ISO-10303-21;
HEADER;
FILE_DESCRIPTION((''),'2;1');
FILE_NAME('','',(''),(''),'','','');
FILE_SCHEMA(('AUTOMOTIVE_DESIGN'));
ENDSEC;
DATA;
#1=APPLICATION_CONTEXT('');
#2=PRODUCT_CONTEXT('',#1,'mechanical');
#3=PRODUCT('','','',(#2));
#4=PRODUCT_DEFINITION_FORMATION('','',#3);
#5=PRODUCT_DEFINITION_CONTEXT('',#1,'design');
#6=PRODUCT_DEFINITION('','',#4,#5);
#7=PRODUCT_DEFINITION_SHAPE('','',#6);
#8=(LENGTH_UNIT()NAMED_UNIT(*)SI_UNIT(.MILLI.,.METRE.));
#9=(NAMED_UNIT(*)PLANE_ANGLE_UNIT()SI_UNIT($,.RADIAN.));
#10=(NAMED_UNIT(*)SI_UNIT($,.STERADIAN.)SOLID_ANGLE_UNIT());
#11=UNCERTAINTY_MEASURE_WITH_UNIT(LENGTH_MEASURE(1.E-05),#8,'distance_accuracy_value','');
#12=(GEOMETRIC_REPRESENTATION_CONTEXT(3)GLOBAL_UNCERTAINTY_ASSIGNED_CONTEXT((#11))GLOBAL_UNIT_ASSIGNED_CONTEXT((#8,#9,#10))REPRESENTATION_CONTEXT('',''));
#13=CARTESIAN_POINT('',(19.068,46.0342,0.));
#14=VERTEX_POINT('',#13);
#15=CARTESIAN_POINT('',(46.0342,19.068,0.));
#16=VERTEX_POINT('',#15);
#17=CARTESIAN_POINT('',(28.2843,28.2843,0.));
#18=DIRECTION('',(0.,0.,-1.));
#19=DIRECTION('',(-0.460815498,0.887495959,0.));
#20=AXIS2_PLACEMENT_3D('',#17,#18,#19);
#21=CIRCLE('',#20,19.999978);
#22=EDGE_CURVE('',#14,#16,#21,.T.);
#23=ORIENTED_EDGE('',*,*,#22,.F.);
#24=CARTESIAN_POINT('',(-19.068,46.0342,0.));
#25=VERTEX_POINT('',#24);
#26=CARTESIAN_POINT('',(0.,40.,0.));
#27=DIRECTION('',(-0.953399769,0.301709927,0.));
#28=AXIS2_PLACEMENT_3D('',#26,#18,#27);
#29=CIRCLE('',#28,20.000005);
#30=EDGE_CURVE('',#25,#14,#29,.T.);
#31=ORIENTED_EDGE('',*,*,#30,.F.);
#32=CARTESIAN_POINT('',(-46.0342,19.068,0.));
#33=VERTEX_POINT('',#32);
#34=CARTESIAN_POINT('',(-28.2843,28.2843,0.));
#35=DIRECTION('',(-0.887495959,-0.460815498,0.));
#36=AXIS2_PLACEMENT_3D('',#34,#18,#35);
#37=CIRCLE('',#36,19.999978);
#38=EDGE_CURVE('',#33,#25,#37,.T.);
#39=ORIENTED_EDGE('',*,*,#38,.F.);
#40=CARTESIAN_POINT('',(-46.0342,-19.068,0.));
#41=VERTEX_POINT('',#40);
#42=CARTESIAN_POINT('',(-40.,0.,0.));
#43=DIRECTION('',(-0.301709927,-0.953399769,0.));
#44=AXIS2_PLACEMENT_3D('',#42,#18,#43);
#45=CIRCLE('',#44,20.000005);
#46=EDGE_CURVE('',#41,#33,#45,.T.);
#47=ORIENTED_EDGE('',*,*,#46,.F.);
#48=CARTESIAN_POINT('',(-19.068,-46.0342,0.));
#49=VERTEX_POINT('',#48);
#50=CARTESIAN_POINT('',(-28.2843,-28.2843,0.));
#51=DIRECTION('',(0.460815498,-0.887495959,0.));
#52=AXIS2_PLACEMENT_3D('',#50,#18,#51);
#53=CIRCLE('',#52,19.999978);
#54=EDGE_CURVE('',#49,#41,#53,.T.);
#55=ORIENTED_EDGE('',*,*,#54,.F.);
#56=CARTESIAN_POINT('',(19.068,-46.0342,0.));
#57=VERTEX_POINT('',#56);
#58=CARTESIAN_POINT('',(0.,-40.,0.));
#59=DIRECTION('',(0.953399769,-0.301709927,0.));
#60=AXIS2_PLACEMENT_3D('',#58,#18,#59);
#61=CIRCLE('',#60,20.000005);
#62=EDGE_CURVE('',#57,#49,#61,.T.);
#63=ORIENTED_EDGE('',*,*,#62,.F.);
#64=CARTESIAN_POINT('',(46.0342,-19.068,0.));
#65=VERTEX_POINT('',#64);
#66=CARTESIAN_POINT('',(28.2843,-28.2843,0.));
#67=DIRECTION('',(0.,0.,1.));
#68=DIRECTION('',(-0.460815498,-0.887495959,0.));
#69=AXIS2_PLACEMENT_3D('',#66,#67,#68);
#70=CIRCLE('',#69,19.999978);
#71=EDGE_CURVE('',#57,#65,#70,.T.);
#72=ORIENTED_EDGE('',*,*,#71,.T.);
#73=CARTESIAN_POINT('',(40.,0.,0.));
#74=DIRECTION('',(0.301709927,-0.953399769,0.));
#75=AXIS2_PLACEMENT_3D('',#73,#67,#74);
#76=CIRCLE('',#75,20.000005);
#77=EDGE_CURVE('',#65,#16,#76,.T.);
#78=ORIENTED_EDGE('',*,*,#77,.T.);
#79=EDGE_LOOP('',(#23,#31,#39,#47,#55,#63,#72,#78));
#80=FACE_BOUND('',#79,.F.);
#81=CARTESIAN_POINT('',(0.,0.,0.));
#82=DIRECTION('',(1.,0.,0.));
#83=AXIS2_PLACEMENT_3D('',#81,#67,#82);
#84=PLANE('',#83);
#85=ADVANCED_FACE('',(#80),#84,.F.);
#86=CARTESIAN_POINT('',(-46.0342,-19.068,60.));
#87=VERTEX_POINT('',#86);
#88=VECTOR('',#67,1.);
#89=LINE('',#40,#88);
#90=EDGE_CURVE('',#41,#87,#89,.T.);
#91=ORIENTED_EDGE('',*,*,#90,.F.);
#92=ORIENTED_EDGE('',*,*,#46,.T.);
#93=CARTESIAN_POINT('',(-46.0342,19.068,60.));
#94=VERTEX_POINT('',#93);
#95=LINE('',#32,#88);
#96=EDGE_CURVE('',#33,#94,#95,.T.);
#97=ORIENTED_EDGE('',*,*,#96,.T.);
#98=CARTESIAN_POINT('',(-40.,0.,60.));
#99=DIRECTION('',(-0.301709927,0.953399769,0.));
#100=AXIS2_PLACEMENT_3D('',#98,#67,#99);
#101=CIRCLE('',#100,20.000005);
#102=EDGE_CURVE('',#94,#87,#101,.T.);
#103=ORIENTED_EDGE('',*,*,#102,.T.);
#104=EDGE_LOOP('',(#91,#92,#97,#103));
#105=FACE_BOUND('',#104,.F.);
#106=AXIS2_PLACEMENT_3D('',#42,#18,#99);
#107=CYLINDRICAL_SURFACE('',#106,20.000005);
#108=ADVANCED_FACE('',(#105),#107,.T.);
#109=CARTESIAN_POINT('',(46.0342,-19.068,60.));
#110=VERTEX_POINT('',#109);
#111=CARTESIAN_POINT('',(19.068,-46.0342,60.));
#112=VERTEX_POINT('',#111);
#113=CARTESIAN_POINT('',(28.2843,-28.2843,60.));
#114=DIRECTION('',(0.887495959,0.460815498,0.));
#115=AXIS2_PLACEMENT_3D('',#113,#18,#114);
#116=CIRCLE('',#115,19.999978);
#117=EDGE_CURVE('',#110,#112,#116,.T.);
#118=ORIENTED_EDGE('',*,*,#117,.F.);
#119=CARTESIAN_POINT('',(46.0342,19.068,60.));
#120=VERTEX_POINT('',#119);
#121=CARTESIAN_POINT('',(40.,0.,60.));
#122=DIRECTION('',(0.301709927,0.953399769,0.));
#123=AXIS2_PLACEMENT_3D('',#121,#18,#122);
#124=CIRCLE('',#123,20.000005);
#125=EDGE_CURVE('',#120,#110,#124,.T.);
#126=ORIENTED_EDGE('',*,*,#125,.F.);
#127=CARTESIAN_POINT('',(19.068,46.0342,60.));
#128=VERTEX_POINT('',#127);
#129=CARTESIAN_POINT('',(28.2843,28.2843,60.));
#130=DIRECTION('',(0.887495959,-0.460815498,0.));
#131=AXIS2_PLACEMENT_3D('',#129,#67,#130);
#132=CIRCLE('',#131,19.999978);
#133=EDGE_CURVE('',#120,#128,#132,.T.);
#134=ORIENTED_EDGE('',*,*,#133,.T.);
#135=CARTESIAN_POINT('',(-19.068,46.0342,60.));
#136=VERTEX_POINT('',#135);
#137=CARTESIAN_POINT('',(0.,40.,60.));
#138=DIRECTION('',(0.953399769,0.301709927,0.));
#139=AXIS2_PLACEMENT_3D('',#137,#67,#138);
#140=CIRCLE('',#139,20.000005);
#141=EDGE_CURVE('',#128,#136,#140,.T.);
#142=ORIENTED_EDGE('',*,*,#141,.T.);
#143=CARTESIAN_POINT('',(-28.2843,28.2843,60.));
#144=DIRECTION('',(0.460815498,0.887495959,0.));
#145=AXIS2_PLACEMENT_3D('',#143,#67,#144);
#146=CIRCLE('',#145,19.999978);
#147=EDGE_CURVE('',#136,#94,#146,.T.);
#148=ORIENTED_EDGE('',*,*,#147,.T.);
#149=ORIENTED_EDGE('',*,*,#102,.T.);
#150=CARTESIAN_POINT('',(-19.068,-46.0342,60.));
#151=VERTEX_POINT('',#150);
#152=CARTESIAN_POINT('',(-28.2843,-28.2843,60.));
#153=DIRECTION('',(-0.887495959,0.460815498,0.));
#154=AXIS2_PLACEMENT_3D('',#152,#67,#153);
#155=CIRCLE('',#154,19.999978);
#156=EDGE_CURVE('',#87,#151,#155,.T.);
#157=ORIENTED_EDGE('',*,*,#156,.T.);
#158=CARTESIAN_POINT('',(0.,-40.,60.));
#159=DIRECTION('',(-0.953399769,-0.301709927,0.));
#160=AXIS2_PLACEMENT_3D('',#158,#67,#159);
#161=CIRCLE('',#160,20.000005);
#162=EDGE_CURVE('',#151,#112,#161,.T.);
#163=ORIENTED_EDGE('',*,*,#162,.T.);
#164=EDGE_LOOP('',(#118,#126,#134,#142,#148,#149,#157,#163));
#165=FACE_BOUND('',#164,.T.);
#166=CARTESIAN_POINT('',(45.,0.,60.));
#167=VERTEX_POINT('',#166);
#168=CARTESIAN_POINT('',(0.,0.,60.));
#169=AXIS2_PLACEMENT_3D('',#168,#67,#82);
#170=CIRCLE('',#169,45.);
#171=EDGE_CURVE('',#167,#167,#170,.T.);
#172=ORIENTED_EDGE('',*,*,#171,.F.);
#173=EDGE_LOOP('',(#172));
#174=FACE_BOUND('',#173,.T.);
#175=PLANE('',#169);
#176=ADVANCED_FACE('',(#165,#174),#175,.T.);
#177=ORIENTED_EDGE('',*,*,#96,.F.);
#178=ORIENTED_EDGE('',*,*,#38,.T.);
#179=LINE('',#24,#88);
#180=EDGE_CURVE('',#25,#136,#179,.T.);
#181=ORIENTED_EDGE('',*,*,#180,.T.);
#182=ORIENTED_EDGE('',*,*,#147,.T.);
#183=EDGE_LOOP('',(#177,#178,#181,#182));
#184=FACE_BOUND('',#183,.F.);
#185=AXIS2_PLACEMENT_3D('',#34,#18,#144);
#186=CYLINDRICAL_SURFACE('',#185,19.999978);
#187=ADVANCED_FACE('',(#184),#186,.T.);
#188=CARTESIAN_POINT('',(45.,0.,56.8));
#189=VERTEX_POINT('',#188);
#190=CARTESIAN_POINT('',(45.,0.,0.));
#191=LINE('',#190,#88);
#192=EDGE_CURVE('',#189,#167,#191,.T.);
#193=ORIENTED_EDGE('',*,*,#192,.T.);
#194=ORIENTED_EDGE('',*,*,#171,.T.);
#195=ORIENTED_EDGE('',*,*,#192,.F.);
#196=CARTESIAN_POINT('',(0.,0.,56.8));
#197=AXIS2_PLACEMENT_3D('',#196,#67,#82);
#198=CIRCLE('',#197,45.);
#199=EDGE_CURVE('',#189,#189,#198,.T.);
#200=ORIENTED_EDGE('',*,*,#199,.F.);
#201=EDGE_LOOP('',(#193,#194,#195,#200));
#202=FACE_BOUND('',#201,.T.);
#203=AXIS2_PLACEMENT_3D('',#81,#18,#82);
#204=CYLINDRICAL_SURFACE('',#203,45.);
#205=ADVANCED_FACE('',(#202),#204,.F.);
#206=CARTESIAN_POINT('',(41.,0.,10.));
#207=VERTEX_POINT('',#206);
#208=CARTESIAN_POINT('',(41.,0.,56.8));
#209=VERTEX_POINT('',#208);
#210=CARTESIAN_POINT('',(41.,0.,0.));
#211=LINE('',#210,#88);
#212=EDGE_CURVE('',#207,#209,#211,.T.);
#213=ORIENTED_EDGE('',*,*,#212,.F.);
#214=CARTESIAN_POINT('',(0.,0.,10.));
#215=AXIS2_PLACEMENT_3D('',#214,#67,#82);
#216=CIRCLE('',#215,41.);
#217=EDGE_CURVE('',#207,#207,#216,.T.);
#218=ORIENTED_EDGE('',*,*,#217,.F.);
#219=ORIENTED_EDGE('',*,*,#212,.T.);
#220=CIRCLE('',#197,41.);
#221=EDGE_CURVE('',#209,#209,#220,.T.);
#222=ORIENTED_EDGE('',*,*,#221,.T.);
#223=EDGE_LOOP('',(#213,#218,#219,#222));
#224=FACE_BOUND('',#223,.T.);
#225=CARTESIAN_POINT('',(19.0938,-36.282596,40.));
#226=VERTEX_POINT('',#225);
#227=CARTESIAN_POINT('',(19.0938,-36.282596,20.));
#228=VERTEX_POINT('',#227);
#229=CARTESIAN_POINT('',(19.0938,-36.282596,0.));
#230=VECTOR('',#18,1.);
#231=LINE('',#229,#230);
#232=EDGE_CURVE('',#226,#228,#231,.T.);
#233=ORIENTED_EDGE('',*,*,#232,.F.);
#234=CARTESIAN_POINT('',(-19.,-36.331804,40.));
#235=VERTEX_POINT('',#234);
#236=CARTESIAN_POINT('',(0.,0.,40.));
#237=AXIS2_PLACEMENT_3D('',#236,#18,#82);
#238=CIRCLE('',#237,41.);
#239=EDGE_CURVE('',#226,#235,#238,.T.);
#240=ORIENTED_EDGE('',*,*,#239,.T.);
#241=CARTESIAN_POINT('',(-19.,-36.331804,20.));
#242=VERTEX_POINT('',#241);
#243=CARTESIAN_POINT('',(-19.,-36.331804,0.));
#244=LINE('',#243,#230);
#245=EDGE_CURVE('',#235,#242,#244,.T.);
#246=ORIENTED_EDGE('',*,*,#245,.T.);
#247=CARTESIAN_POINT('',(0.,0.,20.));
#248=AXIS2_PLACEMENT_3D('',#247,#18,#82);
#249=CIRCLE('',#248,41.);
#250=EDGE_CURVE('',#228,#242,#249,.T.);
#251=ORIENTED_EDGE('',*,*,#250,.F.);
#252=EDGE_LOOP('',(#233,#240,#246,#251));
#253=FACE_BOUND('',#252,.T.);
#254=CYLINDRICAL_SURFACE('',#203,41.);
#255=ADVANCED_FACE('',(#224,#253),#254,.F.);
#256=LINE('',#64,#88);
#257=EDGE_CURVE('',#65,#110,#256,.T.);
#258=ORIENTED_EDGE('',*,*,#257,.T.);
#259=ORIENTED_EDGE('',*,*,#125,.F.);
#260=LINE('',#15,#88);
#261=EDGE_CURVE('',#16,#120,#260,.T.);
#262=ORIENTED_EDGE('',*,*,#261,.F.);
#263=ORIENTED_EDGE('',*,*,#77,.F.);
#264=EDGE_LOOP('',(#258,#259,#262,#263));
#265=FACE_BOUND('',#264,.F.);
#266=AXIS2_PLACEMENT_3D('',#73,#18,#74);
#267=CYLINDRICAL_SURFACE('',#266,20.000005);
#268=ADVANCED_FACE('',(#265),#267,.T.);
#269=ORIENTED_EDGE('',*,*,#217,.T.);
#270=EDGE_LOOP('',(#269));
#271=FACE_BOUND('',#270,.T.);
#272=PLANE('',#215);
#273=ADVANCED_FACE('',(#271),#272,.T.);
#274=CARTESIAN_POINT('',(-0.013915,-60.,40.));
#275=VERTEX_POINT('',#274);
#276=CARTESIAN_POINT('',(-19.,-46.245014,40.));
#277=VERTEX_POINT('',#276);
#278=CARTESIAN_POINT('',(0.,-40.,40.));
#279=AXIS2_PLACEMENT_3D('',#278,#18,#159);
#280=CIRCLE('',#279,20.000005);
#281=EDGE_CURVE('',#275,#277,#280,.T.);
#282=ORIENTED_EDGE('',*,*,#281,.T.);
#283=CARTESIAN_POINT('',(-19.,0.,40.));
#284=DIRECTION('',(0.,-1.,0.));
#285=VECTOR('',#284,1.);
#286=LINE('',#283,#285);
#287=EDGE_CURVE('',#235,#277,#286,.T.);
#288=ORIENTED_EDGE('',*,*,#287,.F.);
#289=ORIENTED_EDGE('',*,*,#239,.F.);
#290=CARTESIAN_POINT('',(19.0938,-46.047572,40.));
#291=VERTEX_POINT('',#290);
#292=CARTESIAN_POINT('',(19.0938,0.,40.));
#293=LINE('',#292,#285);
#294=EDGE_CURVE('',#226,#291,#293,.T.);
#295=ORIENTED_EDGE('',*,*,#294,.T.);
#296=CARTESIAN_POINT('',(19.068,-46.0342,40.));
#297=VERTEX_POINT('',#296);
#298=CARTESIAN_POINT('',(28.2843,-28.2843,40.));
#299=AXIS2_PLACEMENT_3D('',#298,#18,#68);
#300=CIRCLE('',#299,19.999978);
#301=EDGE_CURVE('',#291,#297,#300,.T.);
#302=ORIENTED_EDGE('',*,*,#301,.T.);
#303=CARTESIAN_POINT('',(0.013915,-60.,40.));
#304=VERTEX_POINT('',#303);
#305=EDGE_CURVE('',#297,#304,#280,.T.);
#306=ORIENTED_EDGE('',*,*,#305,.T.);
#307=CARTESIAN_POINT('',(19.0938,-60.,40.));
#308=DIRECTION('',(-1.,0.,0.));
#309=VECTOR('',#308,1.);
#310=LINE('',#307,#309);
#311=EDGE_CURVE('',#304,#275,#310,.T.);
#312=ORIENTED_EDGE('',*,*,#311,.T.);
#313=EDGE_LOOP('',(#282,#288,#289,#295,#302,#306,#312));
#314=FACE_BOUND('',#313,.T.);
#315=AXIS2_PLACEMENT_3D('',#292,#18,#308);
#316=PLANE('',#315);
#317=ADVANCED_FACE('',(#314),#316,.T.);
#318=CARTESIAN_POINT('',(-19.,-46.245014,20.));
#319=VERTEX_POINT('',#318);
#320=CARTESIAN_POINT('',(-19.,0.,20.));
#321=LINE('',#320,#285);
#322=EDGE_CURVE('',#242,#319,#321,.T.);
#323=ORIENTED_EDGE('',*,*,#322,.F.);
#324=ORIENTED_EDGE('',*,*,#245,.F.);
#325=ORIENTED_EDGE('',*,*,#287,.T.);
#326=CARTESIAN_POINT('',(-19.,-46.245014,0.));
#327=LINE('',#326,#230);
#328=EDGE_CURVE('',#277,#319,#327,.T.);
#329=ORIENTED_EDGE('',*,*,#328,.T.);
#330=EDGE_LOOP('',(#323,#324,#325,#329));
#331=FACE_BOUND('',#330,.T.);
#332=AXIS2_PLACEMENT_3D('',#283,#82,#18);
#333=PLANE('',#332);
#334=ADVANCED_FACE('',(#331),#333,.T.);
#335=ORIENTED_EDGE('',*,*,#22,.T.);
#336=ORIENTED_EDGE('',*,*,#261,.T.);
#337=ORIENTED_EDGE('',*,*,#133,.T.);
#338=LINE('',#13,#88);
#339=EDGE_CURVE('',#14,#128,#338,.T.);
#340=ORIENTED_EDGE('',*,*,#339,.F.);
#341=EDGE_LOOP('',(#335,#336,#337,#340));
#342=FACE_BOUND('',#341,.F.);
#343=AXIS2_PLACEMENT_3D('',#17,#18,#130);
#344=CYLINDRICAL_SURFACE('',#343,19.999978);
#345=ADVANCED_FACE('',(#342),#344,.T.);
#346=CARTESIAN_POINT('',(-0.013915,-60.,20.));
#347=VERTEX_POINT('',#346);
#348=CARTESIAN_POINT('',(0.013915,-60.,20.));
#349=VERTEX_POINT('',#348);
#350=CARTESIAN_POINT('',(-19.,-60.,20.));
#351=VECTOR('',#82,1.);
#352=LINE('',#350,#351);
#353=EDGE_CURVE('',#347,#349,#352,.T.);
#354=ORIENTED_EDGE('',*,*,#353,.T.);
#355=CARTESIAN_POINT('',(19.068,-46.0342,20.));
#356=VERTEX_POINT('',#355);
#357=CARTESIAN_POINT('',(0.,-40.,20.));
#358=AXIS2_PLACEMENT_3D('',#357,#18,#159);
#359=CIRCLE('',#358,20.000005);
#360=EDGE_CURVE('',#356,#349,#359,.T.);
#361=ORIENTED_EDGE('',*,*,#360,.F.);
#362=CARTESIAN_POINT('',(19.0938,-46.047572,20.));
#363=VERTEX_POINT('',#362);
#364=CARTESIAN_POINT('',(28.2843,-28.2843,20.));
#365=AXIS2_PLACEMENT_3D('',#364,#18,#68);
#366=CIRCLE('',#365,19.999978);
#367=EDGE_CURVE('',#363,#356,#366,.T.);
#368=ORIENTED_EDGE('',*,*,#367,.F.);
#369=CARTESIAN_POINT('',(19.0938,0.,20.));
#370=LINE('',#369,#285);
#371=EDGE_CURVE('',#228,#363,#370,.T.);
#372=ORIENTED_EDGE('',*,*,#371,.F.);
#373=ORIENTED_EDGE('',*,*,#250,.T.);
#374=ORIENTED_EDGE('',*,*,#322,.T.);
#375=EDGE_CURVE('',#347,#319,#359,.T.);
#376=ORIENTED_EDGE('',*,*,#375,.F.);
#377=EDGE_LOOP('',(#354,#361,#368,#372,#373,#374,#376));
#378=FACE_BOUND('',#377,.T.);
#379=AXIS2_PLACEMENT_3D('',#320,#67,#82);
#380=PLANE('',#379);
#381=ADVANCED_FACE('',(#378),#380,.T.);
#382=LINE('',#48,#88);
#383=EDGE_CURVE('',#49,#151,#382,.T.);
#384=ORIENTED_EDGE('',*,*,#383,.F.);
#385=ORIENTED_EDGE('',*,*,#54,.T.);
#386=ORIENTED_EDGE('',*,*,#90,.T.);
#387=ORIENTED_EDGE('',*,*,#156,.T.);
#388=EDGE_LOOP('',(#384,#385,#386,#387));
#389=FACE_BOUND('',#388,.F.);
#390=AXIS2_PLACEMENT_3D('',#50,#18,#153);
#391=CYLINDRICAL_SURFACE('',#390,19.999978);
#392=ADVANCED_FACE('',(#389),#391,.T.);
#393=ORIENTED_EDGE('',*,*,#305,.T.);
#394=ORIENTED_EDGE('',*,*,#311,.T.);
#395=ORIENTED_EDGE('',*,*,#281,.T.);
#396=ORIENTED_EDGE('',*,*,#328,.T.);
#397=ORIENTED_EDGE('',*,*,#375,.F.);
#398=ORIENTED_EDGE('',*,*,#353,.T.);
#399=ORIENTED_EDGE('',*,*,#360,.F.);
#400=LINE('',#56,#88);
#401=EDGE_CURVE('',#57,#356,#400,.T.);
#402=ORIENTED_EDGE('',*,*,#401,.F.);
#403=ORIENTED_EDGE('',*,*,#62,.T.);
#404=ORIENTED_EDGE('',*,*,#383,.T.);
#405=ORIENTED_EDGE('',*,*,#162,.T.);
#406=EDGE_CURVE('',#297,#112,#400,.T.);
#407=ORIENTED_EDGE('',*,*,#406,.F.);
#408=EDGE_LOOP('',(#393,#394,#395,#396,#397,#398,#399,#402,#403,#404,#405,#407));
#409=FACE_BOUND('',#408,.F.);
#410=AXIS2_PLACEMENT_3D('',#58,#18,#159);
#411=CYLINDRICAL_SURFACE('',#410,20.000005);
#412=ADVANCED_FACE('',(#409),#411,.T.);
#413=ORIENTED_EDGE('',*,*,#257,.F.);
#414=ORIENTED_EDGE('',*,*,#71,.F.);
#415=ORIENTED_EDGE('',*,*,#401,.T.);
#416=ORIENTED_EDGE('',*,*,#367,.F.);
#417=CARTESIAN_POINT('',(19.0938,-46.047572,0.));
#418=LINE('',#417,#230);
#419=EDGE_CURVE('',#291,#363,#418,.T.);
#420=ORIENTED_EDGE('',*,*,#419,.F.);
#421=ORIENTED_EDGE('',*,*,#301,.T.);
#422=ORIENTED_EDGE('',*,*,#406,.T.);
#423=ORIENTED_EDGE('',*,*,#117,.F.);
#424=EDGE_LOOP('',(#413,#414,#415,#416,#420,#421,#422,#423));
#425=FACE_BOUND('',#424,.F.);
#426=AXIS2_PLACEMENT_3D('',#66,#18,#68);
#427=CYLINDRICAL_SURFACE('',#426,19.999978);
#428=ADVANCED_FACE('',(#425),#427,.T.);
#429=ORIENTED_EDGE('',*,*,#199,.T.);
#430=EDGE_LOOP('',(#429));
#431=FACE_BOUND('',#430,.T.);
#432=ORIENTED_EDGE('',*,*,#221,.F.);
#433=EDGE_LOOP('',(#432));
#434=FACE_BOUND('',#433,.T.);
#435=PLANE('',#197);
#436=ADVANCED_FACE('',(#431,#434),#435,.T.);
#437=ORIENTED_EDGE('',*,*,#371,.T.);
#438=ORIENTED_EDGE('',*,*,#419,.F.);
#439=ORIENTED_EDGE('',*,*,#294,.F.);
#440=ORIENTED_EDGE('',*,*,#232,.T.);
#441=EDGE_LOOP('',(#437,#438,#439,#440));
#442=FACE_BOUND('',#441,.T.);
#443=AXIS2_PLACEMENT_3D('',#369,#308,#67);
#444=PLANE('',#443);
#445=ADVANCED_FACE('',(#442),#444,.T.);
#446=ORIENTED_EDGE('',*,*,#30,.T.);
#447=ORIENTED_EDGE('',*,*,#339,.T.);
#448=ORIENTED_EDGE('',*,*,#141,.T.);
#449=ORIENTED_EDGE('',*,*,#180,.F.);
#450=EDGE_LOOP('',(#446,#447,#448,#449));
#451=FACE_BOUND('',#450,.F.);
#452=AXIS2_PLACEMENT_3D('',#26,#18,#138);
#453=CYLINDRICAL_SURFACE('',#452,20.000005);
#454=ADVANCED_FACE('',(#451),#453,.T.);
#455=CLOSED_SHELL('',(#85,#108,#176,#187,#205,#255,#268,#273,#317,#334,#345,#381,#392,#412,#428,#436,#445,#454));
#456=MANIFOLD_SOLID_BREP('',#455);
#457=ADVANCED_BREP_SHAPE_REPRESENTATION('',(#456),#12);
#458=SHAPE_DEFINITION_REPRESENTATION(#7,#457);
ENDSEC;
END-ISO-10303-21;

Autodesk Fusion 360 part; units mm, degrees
sketch "Boceto1" plane through (0, 0, 0) normal (0, 0, 1) x (1, 0, 0)
  circle A0 centre (0, 0) radius 41
  circle A1 centre (0, 0) radius 50
  circle A2 centre (0, 0) radius 45
  arc A3 (-19.068, 46.0342) -> (-46.0342, 19.068) centre (-28.2843, 28.2843) ccw
  arc A4 (-46.0342, -19.068) -> (-19.068, -46.0342) centre (-28.2843, -28.2843) ccw
  arc A5 (-46.0342, 19.068) -> (-46.0342, -19.068) centre (-40, 0) ccw
  arc A6 (-19.068, -46.0342) -> (19.068, -46.0342) centre (0, -40) ccw
  arc A7 (46.0342, -19.068) -> (46.0342, 19.068) centre (40, 0) ccw
  arc A8 (19.068, -46.0342) -> (46.0342, -19.068) centre (28.2843, -28.2843) ccw
  arc A9 (19.068, 46.0342) -> (-19.068, 46.0342) centre (0, 40) ccw
  arc A10 (46.0342, 19.068) -> (19.068, 46.0342) centre (28.2843, 28.2843) ccw
  dimension "d1" = 82
  dimension "d2" = 100
  dimension "d3" = 90
extrude "Extruir1" add sketch "Boceto1" along normal blind 10 contours A0
extrude "Extruir2" add sketch "Boceto1" along normal blind 56.8 contours A2
extrude "Extruir3" add sketch "Boceto1" along normal blind 60 contours A1 A3 A4 A5 A6 A7 A8 A9 A10 | A1 A7 | A1 A10 | A1 A8 | A1 A9 | A1 A6 | A1 A3 | A1 A4 | A1 A5
sketch "Boceto2" plane through (0, 0, 0) normal (0, 1, 0) x (1, 0, 0)
  line L0 (-19, -20) -> (19.0938, -20)
  line L1 (19.0938, -20) -> (19.0938, -40)
  line L2 (19.0938, -40) -> (-19, -40)
  line L3 (-19, -40) -> (-19, -20)
  dimension "d15" = 20
extrude "Extruir4" cut sketch "Boceto2" against normal blind 60
